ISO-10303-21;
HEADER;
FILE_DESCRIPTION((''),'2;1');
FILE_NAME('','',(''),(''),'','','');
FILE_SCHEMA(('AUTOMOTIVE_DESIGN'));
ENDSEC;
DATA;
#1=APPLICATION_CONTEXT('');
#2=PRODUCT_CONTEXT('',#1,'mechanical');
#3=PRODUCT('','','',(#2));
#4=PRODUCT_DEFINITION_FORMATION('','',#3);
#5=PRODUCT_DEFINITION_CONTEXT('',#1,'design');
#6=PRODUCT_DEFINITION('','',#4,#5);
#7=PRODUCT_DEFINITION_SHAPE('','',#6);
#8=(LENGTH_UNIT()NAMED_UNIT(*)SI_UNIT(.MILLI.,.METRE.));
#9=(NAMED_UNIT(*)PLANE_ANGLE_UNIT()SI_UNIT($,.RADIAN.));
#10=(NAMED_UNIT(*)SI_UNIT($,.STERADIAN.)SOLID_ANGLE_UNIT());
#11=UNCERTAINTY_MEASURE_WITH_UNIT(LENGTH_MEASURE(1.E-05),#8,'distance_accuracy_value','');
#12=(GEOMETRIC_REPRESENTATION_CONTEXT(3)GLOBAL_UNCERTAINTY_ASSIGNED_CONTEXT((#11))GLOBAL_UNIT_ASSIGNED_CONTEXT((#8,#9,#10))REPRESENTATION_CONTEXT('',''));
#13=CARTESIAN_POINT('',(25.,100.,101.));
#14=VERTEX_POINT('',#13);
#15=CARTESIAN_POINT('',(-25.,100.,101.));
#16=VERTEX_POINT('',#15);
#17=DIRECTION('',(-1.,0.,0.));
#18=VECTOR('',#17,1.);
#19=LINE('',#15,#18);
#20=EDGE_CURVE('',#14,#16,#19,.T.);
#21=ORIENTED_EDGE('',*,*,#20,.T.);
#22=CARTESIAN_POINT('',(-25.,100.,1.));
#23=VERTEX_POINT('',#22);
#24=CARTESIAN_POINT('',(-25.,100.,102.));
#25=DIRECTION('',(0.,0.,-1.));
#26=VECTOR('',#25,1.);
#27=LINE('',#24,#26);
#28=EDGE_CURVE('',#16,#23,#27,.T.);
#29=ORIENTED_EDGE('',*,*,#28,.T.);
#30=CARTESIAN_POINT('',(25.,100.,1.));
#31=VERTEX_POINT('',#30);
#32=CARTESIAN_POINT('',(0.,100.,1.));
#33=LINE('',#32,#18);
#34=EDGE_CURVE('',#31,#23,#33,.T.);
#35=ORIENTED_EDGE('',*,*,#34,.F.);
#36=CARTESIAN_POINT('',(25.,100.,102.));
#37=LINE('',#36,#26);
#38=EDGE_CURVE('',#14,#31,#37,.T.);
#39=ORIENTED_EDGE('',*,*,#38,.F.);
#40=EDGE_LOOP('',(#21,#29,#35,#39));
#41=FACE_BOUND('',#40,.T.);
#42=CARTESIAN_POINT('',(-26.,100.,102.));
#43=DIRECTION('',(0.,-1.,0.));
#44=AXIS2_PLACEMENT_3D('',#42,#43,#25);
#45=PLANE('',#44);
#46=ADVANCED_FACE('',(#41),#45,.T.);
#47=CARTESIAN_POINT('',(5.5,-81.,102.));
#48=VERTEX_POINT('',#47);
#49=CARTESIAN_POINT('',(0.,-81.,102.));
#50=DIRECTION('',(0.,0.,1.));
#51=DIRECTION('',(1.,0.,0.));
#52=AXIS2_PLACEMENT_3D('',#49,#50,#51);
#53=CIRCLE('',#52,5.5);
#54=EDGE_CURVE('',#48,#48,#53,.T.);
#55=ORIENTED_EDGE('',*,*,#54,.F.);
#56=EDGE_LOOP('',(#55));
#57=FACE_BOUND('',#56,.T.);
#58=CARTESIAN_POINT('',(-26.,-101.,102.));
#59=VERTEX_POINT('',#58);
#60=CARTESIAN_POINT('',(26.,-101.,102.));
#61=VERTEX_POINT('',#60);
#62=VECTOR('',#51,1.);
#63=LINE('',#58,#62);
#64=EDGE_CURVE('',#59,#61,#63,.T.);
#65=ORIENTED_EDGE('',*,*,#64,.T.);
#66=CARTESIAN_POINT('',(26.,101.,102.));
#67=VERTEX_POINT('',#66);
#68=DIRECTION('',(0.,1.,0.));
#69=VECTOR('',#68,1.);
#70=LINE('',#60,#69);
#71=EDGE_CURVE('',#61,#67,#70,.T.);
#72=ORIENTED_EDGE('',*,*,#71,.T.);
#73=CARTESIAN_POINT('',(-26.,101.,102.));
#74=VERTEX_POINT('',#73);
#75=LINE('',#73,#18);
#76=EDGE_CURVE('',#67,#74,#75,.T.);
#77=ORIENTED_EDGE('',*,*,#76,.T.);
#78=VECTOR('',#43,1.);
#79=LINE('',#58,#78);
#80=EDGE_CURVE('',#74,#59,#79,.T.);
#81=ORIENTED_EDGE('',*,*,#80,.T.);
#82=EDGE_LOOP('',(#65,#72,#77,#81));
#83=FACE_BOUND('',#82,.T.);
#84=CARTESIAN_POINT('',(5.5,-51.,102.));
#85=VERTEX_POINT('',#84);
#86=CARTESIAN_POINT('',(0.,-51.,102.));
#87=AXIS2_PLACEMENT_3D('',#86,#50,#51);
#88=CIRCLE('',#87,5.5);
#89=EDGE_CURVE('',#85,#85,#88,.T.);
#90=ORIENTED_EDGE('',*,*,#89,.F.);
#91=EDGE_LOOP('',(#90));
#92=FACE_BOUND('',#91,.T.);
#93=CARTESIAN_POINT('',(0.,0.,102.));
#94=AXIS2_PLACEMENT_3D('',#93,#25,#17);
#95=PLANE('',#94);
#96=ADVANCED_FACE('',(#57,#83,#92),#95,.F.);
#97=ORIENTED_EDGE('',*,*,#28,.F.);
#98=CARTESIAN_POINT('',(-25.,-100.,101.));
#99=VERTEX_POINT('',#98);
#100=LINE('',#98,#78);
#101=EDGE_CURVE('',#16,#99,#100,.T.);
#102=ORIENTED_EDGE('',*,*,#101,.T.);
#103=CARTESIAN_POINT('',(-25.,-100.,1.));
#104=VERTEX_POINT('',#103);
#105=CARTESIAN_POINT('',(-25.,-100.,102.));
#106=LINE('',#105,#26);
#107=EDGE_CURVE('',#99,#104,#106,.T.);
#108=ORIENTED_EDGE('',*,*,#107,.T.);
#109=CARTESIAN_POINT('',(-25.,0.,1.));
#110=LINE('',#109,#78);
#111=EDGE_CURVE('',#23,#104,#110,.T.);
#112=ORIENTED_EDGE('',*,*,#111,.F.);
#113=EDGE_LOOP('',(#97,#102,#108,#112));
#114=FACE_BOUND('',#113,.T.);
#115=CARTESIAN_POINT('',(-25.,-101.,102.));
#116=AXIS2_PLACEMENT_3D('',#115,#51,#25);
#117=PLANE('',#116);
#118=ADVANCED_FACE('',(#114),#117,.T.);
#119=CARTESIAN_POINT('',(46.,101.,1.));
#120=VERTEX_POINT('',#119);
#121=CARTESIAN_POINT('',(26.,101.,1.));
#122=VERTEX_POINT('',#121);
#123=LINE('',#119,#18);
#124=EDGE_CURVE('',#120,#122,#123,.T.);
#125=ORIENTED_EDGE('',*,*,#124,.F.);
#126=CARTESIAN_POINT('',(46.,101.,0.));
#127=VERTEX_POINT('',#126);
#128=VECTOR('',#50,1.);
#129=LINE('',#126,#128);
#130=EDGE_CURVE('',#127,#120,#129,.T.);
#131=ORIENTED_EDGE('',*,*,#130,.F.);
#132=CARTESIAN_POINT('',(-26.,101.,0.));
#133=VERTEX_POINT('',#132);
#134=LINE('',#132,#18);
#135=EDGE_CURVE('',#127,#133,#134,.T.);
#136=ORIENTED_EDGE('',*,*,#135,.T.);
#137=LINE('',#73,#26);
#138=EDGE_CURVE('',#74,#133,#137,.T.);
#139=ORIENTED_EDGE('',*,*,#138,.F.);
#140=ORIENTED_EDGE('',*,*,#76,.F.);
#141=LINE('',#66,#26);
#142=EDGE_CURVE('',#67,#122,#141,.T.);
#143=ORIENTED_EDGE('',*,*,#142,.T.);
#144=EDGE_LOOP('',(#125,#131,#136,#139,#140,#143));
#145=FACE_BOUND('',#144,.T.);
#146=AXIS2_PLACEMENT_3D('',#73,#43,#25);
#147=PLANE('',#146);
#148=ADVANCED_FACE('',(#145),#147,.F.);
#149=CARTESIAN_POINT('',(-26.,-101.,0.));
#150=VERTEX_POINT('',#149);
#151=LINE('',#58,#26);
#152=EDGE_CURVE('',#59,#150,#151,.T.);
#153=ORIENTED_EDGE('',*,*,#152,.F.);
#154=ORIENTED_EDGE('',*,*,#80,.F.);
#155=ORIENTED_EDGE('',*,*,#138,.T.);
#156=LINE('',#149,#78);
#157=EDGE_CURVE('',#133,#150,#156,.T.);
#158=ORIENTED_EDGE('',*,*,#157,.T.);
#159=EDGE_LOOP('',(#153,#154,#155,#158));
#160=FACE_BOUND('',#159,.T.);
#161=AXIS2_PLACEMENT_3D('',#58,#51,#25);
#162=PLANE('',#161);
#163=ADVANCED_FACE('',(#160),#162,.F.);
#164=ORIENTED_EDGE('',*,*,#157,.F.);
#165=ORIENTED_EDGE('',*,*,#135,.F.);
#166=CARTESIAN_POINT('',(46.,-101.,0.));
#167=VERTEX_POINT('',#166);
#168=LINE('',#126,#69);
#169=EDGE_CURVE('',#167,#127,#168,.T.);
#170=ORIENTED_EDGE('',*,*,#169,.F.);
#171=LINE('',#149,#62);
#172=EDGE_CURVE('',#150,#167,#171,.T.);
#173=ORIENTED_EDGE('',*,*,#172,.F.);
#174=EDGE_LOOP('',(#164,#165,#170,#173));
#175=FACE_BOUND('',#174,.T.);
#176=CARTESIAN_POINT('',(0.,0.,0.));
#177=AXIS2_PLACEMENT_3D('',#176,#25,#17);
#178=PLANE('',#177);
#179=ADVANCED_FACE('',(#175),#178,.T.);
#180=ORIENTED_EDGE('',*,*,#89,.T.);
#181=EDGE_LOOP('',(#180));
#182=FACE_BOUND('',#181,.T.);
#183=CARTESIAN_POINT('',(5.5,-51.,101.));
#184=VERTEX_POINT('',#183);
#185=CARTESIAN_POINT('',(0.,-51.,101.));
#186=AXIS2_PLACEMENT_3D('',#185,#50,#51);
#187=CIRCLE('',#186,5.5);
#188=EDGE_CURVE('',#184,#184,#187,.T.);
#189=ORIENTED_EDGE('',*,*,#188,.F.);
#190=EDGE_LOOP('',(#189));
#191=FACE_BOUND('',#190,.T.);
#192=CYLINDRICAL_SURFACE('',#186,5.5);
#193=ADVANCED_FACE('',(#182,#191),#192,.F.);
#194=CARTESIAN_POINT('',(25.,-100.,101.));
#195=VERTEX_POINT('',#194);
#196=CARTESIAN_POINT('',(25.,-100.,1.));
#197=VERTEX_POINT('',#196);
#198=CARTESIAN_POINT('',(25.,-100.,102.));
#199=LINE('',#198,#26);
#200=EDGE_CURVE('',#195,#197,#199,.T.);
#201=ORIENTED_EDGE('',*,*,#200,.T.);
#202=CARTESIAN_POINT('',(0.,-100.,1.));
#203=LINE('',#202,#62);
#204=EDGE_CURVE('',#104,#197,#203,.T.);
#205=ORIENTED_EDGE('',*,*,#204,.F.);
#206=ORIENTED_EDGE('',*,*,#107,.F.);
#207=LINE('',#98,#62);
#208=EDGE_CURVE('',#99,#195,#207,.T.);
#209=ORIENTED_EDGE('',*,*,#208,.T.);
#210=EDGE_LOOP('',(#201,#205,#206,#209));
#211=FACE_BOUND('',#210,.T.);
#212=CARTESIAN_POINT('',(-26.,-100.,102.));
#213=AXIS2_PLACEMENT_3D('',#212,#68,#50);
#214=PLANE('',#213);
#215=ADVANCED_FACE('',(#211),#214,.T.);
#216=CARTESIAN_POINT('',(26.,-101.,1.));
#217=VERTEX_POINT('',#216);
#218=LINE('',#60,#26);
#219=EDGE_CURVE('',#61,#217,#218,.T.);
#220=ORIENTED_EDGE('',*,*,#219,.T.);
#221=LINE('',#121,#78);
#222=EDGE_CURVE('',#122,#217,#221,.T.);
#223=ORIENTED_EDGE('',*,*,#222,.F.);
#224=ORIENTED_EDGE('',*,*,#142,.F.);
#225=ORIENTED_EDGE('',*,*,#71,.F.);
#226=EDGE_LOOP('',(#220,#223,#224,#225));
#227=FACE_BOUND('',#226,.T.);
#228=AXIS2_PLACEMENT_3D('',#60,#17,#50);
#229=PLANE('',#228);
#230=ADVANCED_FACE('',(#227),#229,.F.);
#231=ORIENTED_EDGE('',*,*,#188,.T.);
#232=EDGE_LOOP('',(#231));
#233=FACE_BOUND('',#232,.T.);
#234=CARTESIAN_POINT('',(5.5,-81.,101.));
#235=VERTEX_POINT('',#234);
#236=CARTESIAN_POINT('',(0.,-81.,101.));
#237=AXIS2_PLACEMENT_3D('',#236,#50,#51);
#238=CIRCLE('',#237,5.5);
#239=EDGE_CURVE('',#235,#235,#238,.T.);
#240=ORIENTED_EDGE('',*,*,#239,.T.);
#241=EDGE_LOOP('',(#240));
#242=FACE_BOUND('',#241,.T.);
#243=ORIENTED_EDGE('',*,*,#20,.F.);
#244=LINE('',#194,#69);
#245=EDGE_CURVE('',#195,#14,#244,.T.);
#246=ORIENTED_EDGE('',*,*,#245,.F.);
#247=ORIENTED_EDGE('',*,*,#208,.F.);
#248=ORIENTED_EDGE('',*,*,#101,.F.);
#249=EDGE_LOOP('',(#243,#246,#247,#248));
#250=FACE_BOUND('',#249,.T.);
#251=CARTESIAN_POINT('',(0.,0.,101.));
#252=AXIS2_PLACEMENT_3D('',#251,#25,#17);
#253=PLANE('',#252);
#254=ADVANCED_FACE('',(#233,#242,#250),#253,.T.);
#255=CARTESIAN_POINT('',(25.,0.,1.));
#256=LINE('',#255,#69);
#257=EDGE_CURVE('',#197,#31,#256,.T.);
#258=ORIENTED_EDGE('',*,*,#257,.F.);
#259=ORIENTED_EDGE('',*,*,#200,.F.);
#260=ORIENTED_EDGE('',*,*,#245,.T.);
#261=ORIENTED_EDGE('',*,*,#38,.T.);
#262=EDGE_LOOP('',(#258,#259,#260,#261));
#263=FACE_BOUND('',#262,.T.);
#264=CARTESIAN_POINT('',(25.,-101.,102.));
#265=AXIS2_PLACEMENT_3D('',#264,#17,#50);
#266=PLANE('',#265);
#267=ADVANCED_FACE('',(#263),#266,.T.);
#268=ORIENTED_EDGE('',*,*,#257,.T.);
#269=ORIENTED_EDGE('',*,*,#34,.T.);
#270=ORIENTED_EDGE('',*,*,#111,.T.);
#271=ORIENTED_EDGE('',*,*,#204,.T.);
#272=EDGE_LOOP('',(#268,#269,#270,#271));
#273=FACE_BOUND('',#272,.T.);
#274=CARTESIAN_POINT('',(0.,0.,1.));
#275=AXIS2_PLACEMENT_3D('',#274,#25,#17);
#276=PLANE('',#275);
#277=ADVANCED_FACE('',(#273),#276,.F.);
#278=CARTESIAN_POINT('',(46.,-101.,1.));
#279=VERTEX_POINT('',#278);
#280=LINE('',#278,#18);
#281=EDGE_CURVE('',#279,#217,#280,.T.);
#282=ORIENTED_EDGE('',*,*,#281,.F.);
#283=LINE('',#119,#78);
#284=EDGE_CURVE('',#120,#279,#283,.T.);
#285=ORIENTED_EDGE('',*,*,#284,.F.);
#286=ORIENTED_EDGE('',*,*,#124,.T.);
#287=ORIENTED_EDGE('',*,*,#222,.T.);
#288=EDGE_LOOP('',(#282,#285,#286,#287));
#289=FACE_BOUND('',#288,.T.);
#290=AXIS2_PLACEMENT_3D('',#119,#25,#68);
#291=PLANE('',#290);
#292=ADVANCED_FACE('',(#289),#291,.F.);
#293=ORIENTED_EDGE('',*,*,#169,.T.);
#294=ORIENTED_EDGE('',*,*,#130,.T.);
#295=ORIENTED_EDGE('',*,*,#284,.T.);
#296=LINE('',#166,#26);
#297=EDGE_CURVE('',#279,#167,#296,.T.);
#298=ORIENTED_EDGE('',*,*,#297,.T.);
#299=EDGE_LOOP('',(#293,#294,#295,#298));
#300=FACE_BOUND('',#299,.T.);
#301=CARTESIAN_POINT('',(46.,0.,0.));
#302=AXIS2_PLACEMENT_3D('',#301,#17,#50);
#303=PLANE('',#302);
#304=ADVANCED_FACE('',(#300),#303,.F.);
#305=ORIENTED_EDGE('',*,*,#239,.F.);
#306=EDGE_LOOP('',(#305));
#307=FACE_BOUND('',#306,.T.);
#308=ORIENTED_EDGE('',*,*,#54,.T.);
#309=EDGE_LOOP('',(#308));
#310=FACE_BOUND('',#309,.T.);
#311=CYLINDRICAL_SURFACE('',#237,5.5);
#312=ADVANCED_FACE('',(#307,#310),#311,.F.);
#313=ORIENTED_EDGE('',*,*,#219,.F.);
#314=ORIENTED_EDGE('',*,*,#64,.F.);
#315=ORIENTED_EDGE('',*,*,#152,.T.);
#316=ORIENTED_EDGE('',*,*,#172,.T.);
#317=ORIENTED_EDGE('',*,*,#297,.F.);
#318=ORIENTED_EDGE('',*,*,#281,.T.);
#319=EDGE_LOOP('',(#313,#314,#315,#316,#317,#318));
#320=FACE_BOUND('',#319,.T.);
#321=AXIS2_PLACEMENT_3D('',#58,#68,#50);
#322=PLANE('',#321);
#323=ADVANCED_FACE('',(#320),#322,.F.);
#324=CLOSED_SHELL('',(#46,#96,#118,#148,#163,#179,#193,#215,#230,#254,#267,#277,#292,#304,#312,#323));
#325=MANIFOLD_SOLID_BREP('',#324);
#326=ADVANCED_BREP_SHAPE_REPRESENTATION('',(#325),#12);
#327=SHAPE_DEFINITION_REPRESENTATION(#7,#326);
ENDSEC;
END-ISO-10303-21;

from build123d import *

# Parameters (mm, degrees)
ESQUISSE1_W             = 52
ESQUISSE1_H             = 202
BOSS_EXTRU_1_DEPTH      = 102
COQUE1_T                = -1
ESQUISSE2_W             = 50
ESQUISSE2_H             = 200
BOSS_EXTRU_2_DEPTH      = 1
ESQUISSE3_R             = 5.5
ENL_V_MAT_EXTRU_1_DEPTH = 1
ESQUISSE4_W             = 1
ESQUISSE4_H             = 202
BOSS_EXTRU_3_DEPTH      = 20


with BuildPart() as part:
    # Esquisse1 → Boss.-Extru.1 (new body)
    with BuildSketch(Plane.XY):
        Rectangle(ESQUISSE1_W, ESQUISSE1_H)
    extrude(amount=BOSS_EXTRU_1_DEPTH)

    # Coque1
    coque1_openings = [part.faces().sort_by_distance(p)[0] for p in [
        (0, 0, 102),
    ]]
    offset(amount=COQUE1_T, openings=coque1_openings, kind=Kind.INTERSECTION)

    # Esquisse2 → Boss.-Extru.2 (add)
    with BuildSketch(Plane.XY.offset(102)):
        Rectangle(ESQUISSE2_W, ESQUISSE2_H)
    extrude(amount=-BOSS_EXTRU_2_DEPTH)

    # Esquisse3 → Enlèv. mat.-Extru.1 (cut)
    with BuildSketch(Plane.XY.offset(102)):
        with Locations((0, -81)):
            Circle(ESQUISSE3_R)
        with Locations((0, -51)):
            Circle(ESQUISSE3_R)
    extrude(amount=-ENL_V_MAT_EXTRU_1_DEPTH, mode=Mode.SUBTRACT)

    # Esquisse4 → Boss.-Extru.3 (add)
    with BuildSketch(Plane(origin=(26, 0, 0), x_dir=(0, 0, -1), z_dir=(1, 0, 0))):
        with Locations((-0.5, 0)):
            Rectangle(ESQUISSE4_W, ESQUISSE4_H)
    extrude(amount=BOSS_EXTRU_3_DEPTH)


solid = part.part
